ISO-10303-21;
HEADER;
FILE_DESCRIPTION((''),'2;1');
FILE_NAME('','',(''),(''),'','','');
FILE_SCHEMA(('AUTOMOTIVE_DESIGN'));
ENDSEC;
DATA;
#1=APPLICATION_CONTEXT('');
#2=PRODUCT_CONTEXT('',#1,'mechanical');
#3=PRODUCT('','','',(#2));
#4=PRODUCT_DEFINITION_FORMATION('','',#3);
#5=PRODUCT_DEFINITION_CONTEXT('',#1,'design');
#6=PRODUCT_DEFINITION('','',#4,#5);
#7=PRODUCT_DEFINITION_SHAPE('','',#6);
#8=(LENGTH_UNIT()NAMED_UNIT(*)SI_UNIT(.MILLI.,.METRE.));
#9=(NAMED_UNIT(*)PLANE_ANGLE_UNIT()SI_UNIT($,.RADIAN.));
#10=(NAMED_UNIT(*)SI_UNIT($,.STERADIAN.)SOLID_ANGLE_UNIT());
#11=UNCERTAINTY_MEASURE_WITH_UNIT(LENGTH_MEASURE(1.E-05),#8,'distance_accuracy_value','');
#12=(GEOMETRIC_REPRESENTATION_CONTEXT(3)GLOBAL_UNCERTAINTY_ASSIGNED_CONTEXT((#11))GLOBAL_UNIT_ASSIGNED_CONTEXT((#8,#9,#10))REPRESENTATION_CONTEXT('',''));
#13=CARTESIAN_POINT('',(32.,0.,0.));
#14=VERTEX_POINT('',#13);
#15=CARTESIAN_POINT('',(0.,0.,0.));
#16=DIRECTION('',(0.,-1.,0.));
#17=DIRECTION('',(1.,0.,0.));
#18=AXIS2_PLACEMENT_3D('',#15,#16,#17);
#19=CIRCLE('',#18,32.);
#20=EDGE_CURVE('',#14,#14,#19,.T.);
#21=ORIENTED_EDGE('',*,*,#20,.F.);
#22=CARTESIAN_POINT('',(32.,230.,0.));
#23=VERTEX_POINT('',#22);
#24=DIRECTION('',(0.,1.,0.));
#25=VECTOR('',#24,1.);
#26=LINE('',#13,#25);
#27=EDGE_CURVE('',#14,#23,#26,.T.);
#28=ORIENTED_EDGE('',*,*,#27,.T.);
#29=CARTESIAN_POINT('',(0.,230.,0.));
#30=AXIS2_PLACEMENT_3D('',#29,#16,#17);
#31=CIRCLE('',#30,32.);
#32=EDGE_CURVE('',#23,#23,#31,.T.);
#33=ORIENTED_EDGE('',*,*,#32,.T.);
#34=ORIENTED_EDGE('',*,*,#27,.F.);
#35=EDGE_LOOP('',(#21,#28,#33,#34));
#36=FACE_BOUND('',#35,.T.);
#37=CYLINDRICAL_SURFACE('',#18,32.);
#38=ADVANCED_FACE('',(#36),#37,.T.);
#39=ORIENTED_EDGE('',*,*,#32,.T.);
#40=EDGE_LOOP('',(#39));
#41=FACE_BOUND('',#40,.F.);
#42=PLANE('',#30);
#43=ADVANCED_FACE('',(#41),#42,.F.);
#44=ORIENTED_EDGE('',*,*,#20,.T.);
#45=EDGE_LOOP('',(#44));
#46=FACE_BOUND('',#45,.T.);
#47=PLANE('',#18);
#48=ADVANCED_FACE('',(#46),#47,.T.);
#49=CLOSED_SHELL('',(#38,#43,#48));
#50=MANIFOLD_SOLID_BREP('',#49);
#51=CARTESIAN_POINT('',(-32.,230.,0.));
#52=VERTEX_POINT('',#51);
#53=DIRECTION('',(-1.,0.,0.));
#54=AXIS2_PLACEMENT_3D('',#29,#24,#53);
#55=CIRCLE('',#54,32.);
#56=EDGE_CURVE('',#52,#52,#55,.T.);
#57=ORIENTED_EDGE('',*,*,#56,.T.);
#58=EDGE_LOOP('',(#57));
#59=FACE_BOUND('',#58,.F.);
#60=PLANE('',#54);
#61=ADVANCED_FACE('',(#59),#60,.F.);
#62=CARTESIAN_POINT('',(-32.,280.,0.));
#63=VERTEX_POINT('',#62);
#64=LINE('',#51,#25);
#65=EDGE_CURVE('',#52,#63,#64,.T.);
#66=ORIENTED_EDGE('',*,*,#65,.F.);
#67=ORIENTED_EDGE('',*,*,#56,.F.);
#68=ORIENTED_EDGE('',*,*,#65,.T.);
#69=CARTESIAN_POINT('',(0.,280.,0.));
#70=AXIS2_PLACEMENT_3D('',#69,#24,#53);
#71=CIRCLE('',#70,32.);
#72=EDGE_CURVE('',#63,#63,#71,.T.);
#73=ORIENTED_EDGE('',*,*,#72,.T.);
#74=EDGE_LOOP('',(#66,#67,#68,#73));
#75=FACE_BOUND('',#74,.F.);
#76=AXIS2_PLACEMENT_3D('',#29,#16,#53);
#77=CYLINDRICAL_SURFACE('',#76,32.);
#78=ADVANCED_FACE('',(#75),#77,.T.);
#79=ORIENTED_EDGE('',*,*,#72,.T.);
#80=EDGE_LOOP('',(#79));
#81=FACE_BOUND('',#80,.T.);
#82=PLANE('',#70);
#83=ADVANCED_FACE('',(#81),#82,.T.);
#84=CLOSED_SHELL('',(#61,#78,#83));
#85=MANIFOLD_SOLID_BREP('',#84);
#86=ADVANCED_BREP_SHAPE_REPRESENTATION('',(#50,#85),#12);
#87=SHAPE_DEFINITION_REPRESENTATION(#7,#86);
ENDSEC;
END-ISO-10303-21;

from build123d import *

# Parameters (mm, degrees)
F0_R     = 32
F1_DEPTH = 230
F2_R     = 32
F3_DEPTH = 50


with BuildPart() as f1:
    # F0 (on Front) → F1 (new body)
    with BuildSketch(Plane.XZ):
        Circle(F0_R)
    extrude(amount=-F1_DEPTH)


with BuildPart() as f3:
    # F2 (on face) → F3 (new body)
    with BuildSketch(Plane(origin=(0, 230, 0), x_dir=(-1, 0, 0), z_dir=(0, 1, 0))):
        Circle(F2_R)
    extrude(amount=F3_DEPTH)


solid = Compound([f1.part, f3.part])
